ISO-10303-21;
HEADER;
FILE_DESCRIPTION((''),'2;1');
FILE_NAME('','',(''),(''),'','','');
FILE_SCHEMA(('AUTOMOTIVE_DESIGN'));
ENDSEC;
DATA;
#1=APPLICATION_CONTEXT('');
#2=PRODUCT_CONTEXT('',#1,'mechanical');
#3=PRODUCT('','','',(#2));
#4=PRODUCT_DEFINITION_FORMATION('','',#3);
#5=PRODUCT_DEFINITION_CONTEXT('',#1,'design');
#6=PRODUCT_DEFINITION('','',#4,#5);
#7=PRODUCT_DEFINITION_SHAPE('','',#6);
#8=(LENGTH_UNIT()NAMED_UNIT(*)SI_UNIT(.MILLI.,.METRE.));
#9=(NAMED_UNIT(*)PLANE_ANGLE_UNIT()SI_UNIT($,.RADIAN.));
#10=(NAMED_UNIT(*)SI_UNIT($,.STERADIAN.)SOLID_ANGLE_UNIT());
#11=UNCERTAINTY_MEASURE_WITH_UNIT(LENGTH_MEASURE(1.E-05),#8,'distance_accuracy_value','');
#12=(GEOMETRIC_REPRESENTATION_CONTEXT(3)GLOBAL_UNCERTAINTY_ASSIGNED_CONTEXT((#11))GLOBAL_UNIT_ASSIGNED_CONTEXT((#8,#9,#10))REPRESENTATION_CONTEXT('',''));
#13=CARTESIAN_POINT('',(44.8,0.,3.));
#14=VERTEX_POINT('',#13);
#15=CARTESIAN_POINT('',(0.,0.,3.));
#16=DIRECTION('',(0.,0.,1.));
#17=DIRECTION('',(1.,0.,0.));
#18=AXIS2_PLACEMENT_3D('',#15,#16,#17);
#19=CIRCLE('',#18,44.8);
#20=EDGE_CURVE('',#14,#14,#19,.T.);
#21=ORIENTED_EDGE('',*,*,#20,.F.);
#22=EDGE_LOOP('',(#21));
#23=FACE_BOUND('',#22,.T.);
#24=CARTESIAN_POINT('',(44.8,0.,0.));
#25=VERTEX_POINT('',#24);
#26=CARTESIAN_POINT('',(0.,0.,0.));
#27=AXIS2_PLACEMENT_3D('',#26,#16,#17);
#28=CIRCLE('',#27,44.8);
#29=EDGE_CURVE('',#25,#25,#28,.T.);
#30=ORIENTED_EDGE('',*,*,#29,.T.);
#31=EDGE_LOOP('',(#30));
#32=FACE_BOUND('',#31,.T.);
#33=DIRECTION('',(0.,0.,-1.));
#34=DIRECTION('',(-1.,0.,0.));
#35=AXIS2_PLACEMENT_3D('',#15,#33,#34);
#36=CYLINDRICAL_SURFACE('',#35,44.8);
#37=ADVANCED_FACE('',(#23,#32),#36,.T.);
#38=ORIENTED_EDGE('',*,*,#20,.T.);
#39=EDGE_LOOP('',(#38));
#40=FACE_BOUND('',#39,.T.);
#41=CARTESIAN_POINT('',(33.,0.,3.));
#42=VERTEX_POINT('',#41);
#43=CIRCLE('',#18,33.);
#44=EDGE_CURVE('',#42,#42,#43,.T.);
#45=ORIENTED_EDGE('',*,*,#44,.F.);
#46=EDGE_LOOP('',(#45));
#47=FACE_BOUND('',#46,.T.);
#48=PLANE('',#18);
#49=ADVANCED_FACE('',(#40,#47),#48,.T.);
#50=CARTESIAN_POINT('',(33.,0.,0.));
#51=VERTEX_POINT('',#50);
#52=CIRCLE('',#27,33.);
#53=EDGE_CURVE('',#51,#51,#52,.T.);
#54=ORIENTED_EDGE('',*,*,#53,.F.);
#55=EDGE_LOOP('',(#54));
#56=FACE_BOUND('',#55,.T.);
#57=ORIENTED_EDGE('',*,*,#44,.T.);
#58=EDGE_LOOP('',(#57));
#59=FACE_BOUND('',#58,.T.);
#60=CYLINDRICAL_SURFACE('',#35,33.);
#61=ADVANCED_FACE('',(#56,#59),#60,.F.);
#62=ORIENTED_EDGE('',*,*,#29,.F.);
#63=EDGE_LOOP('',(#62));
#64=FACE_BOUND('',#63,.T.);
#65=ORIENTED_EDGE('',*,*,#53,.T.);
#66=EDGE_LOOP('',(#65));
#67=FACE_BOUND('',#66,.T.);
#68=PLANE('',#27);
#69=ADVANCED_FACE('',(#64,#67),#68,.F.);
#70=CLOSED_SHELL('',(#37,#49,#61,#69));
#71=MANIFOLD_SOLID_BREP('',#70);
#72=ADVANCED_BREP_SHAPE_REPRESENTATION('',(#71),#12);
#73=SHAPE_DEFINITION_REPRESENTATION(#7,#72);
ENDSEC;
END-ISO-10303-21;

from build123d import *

# Parameters (mm, degrees)
ESQUISSE1_R        = 44.8
ESQUISSE1_R_2      = 33
BOSS_EXTRU_1_DEPTH = 3


with BuildPart() as part:
    # Esquisse1 → Boss.-Extru.1 (new body)
    with BuildSketch(Plane.XY):
        Circle(ESQUISSE1_R)
        Circle(ESQUISSE1_R_2, mode=Mode.SUBTRACT)
    extrude(amount=BOSS_EXTRU_1_DEPTH)


solid = part.part
